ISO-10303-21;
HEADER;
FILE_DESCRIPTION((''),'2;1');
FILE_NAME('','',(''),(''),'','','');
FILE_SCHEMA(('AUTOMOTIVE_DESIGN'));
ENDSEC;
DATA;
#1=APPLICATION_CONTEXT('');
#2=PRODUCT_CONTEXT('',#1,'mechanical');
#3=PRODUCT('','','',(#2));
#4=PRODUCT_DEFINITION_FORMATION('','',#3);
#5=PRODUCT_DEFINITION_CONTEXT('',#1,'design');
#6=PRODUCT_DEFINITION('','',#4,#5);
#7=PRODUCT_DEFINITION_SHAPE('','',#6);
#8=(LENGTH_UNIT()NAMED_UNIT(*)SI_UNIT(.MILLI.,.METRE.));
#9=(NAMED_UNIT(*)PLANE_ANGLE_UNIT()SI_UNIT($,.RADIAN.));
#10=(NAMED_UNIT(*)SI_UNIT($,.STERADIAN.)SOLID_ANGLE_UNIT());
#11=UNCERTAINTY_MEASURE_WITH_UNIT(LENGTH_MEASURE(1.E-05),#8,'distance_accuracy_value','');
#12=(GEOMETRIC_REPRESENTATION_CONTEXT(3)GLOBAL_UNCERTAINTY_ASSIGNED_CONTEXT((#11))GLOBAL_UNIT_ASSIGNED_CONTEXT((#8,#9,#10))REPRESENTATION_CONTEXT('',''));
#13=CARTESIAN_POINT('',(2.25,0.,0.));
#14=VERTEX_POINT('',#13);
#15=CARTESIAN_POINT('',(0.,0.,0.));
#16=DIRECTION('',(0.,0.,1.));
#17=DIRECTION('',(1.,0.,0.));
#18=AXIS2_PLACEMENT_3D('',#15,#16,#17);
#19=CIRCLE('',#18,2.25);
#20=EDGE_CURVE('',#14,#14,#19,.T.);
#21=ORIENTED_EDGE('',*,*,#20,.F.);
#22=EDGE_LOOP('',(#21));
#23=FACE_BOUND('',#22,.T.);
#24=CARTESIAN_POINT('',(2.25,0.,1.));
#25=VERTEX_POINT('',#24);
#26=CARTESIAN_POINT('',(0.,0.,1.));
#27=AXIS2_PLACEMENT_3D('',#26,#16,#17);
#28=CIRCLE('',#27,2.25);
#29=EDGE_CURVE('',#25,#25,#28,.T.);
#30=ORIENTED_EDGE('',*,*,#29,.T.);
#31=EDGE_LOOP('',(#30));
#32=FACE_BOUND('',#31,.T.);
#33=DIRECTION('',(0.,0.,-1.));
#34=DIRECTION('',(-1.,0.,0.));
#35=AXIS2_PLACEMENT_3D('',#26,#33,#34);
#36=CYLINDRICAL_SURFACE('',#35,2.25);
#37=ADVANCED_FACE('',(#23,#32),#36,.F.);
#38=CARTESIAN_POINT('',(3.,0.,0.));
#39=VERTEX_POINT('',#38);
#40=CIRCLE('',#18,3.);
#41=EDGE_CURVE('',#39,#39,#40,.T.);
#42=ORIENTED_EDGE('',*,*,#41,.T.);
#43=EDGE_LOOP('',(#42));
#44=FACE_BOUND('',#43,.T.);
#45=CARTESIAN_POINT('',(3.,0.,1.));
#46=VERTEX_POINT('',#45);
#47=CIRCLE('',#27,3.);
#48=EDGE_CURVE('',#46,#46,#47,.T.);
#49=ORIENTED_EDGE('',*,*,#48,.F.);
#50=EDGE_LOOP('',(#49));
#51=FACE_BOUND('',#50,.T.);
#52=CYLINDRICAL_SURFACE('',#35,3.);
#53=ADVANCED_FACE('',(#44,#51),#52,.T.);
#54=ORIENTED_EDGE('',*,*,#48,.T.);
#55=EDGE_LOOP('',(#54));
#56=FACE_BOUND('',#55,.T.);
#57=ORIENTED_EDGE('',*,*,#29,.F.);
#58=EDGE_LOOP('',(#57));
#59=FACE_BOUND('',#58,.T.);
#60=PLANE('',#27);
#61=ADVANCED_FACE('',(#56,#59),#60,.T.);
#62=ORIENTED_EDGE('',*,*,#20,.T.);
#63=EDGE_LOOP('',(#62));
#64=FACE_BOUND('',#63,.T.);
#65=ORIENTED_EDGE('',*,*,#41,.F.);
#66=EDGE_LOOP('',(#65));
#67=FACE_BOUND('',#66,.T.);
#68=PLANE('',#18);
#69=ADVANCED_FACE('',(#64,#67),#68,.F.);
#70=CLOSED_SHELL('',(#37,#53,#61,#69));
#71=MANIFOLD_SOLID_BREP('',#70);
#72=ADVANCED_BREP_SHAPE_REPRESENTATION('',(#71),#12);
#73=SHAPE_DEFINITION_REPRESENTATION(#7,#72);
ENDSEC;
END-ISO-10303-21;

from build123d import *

# Parameters (mm, degrees)
SKETCH_1_R      = 3
SKETCH_1_R_2    = 2.25
EXTRUDE_1_DEPTH = 1


with BuildPart() as part:
    # 草图1 → 凸台-拉伸1 (new body)
    with BuildSketch(Plane.XY):
        Circle(SKETCH_1_R)
        Circle(SKETCH_1_R_2, mode=Mode.SUBTRACT)
    extrude(amount=EXTRUDE_1_DEPTH)


solid = part.part
